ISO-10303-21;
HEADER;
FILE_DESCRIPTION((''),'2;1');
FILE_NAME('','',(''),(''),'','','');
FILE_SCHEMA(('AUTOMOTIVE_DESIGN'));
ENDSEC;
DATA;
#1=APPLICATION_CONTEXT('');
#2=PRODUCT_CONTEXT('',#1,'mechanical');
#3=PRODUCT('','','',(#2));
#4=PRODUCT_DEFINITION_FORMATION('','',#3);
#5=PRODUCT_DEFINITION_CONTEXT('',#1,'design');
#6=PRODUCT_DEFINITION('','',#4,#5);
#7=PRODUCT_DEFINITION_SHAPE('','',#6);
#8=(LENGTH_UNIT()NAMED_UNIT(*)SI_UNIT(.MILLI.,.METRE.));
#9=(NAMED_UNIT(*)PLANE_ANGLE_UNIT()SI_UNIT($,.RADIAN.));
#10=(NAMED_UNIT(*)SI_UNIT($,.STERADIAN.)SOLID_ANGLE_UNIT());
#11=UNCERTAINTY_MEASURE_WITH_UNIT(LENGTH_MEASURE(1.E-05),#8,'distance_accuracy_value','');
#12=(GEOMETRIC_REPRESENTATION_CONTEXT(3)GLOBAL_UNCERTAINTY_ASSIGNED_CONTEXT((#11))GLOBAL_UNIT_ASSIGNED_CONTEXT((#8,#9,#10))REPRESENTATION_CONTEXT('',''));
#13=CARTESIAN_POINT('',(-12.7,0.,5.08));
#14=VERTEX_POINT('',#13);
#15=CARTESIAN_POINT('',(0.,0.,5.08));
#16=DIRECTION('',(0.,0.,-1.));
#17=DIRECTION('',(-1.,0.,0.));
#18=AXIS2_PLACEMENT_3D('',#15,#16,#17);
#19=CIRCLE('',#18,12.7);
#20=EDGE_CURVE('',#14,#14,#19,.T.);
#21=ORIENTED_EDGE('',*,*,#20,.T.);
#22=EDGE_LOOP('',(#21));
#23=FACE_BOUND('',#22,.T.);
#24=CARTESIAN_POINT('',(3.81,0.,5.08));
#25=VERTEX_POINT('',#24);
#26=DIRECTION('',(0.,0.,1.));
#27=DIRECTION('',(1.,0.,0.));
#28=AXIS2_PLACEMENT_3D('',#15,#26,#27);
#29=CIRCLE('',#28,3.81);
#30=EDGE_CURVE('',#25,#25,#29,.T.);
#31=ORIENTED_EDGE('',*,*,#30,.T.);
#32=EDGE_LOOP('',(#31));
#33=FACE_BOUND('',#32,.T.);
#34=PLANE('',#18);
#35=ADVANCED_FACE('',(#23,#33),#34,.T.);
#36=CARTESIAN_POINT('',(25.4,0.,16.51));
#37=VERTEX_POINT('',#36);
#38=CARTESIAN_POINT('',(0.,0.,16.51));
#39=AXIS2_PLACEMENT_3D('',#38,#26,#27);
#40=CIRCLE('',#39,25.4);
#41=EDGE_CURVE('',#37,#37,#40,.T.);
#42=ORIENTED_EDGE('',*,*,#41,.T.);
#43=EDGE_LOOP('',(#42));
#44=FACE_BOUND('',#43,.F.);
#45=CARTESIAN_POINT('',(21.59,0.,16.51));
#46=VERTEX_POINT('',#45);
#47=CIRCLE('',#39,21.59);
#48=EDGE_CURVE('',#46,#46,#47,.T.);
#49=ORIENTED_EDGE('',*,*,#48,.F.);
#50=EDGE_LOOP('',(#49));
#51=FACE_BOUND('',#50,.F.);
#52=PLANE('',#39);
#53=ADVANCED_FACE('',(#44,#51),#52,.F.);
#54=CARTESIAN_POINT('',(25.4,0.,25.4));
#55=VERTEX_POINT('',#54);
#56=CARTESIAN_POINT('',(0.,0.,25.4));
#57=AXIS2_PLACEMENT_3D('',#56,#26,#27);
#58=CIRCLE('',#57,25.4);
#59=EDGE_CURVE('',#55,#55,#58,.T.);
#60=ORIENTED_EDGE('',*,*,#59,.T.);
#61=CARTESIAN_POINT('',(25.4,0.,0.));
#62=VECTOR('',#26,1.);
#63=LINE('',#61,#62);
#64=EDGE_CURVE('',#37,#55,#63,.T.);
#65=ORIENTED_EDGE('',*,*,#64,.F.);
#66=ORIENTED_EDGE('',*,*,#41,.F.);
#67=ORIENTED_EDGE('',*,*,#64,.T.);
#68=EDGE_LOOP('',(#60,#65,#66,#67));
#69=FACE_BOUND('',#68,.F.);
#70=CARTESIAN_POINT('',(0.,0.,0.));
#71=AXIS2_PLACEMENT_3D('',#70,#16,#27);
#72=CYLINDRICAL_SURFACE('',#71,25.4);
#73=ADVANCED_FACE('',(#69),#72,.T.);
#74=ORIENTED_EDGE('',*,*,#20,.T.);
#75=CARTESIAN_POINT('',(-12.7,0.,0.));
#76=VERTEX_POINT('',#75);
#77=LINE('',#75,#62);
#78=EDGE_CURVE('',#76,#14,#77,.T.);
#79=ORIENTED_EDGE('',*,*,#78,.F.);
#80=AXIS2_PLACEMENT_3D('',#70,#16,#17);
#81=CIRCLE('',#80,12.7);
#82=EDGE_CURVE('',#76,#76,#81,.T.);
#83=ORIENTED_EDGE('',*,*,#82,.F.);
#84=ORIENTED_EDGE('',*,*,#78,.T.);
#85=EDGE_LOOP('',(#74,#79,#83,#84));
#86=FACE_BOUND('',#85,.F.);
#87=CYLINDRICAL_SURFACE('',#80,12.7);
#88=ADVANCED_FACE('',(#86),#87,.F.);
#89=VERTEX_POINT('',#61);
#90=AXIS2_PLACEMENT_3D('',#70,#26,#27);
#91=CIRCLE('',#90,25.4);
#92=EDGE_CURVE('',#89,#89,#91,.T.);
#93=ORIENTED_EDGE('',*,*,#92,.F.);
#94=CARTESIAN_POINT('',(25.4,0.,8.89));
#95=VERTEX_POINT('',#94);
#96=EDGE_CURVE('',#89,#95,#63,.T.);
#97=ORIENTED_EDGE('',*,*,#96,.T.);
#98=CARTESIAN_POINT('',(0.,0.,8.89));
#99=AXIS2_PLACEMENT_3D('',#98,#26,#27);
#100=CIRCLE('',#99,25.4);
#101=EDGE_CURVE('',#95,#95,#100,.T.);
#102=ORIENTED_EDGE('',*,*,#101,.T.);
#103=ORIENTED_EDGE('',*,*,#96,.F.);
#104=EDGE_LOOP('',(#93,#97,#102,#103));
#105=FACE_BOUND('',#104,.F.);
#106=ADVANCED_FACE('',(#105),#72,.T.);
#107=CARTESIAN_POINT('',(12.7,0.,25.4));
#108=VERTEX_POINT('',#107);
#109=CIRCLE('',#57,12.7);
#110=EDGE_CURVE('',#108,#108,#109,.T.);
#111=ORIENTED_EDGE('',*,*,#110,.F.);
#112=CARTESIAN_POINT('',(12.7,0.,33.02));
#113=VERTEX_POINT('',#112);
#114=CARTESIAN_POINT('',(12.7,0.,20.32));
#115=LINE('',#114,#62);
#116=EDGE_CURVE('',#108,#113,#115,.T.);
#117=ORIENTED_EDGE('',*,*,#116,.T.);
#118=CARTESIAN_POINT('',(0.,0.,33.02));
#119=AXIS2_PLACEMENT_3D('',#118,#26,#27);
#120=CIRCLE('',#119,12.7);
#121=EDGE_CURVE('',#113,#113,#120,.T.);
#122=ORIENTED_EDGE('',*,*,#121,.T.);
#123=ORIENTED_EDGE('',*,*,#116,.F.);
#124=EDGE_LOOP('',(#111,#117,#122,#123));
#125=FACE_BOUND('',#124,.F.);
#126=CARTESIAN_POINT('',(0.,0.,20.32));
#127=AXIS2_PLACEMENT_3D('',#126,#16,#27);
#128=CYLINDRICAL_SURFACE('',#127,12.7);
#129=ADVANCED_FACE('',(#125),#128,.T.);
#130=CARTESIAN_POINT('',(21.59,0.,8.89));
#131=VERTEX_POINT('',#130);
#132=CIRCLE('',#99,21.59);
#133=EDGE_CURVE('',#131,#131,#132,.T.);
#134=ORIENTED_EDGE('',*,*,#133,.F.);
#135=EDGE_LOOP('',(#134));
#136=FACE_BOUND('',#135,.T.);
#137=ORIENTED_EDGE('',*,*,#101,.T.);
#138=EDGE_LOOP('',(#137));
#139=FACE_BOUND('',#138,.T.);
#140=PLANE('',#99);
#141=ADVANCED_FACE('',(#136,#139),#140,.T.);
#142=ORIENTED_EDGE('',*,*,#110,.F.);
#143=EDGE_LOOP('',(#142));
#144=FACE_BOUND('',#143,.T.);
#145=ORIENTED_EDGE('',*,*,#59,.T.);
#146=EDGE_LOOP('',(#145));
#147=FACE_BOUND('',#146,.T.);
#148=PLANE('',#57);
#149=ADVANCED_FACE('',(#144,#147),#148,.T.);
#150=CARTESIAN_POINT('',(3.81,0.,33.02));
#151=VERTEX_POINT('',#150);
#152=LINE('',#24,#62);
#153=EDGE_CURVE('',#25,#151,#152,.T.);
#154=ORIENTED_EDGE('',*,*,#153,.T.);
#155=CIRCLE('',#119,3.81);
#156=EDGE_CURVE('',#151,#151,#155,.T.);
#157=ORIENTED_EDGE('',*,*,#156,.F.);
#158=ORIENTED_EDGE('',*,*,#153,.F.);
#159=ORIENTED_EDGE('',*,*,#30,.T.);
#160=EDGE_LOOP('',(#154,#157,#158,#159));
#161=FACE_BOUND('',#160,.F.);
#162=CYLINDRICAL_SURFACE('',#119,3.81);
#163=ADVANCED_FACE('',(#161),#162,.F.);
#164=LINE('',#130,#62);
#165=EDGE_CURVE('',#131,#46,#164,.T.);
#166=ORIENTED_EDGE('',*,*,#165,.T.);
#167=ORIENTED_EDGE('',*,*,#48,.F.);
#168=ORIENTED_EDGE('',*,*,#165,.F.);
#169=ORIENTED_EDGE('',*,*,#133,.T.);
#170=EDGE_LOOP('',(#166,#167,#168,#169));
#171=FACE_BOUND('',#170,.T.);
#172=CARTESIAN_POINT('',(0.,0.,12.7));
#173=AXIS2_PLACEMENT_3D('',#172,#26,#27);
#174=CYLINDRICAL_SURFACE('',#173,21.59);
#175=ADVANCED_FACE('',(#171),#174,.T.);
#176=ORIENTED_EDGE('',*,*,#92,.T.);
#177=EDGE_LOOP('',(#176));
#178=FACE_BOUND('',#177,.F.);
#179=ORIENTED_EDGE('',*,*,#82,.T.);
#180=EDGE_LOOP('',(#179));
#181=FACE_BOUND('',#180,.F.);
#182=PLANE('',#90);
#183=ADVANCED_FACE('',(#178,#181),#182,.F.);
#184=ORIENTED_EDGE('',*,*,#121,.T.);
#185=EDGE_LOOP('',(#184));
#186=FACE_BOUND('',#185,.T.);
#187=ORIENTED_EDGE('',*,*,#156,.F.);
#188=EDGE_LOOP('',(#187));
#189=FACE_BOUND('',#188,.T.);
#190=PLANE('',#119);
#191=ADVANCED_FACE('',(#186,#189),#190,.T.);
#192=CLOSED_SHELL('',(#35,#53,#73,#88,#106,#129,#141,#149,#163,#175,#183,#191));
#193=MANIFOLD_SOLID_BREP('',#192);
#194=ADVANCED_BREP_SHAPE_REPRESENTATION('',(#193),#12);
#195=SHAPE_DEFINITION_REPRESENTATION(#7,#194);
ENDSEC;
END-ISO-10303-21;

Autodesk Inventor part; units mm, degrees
ref_plane "YZ Plane" through (0, 0, 0) normal (1, 0, 0) x (0, 1, 0)
ref_plane "XZ Plane" through (0, 0, 0) normal (0, 1, 0) x (-1, 0, 0)
sketch "Sketch1" plane through (0, 0, 0) normal (0, 0, 1) x (1, 0, 0)
  circle A0 centre (0, 0) radius 25.4
  dimension "d0" = 50.8
extrude "Extrusion1" add sketch "Sketch1" along normal blind 25.4
sketch "Sketch2" plane through (0, 0, 0) normal (0, 0, 1) x (1, 0, 0)
  point P0 (0, 0)
ref_plane "Work Plane1" through (0, 0, 12.7) normal (0, 0, 1) x (1, 0, 0)
sketch "Sketch4" plane through (0, 0, 12.7) normal (0, 0, 1) x (1, 0, 0)
  circle A0 centre (0, 0) radius 25.4
  circle A1 centre (0, 0) radius 21.59
  dimension "d7" = 50.8
  dimension "d8" = 43.18
extrude "Extrusion3" cut sketch "Sketch4" along normal mid plane 7.62
sketch "Sketch5" plane through (0, 0, 25.4) normal (0, 0, 1) x (1, 0, 0)
  circle A0 centre (0, 0) radius 12.7
  dimension "d11" = 25.4
extrude "Extrusion4" cut sketch "Sketch5" against normal blind 5.08
sketch "Sketch6" plane through (0, 0, 0) normal (0, 0, -1) x (-1, 0, 0)
  circle A0 centre (0, 0) radius 12.7
  dimension "d14" = 25.4
extrude "Extrusion5" cut sketch "Sketch6" against normal blind 5.08
sketch "Sketch7" plane through (0, 0, 20.32) normal (0, 0, 1) x (1, 0, 0)
  circle A0 centre (0, 0) radius 3.81
  dimension "d17" = 7.62
extrude "Extrusion6" cut sketch "Sketch7" along normal mid plane 127
sketch "Sketch8" plane through (0, 0, 20.32) normal (0, 0, 1) x (1, 0, 0)
  circle A0 centre (0, 0) radius 12.7
extrude "Extrusion7" add sketch "Sketch8" along normal blind 12.7
sketch "Sketch9" plane through (0, 0, 33.02) normal (0, 0, 1) x (1, 0, 0)
  circle A0 centre (0, 0) radius 3.81
  dimension "d22" = 7.62
extrude "Extrusion8" cut sketch "Sketch9" against normal blind 25.4
properties part number "Pulley"
